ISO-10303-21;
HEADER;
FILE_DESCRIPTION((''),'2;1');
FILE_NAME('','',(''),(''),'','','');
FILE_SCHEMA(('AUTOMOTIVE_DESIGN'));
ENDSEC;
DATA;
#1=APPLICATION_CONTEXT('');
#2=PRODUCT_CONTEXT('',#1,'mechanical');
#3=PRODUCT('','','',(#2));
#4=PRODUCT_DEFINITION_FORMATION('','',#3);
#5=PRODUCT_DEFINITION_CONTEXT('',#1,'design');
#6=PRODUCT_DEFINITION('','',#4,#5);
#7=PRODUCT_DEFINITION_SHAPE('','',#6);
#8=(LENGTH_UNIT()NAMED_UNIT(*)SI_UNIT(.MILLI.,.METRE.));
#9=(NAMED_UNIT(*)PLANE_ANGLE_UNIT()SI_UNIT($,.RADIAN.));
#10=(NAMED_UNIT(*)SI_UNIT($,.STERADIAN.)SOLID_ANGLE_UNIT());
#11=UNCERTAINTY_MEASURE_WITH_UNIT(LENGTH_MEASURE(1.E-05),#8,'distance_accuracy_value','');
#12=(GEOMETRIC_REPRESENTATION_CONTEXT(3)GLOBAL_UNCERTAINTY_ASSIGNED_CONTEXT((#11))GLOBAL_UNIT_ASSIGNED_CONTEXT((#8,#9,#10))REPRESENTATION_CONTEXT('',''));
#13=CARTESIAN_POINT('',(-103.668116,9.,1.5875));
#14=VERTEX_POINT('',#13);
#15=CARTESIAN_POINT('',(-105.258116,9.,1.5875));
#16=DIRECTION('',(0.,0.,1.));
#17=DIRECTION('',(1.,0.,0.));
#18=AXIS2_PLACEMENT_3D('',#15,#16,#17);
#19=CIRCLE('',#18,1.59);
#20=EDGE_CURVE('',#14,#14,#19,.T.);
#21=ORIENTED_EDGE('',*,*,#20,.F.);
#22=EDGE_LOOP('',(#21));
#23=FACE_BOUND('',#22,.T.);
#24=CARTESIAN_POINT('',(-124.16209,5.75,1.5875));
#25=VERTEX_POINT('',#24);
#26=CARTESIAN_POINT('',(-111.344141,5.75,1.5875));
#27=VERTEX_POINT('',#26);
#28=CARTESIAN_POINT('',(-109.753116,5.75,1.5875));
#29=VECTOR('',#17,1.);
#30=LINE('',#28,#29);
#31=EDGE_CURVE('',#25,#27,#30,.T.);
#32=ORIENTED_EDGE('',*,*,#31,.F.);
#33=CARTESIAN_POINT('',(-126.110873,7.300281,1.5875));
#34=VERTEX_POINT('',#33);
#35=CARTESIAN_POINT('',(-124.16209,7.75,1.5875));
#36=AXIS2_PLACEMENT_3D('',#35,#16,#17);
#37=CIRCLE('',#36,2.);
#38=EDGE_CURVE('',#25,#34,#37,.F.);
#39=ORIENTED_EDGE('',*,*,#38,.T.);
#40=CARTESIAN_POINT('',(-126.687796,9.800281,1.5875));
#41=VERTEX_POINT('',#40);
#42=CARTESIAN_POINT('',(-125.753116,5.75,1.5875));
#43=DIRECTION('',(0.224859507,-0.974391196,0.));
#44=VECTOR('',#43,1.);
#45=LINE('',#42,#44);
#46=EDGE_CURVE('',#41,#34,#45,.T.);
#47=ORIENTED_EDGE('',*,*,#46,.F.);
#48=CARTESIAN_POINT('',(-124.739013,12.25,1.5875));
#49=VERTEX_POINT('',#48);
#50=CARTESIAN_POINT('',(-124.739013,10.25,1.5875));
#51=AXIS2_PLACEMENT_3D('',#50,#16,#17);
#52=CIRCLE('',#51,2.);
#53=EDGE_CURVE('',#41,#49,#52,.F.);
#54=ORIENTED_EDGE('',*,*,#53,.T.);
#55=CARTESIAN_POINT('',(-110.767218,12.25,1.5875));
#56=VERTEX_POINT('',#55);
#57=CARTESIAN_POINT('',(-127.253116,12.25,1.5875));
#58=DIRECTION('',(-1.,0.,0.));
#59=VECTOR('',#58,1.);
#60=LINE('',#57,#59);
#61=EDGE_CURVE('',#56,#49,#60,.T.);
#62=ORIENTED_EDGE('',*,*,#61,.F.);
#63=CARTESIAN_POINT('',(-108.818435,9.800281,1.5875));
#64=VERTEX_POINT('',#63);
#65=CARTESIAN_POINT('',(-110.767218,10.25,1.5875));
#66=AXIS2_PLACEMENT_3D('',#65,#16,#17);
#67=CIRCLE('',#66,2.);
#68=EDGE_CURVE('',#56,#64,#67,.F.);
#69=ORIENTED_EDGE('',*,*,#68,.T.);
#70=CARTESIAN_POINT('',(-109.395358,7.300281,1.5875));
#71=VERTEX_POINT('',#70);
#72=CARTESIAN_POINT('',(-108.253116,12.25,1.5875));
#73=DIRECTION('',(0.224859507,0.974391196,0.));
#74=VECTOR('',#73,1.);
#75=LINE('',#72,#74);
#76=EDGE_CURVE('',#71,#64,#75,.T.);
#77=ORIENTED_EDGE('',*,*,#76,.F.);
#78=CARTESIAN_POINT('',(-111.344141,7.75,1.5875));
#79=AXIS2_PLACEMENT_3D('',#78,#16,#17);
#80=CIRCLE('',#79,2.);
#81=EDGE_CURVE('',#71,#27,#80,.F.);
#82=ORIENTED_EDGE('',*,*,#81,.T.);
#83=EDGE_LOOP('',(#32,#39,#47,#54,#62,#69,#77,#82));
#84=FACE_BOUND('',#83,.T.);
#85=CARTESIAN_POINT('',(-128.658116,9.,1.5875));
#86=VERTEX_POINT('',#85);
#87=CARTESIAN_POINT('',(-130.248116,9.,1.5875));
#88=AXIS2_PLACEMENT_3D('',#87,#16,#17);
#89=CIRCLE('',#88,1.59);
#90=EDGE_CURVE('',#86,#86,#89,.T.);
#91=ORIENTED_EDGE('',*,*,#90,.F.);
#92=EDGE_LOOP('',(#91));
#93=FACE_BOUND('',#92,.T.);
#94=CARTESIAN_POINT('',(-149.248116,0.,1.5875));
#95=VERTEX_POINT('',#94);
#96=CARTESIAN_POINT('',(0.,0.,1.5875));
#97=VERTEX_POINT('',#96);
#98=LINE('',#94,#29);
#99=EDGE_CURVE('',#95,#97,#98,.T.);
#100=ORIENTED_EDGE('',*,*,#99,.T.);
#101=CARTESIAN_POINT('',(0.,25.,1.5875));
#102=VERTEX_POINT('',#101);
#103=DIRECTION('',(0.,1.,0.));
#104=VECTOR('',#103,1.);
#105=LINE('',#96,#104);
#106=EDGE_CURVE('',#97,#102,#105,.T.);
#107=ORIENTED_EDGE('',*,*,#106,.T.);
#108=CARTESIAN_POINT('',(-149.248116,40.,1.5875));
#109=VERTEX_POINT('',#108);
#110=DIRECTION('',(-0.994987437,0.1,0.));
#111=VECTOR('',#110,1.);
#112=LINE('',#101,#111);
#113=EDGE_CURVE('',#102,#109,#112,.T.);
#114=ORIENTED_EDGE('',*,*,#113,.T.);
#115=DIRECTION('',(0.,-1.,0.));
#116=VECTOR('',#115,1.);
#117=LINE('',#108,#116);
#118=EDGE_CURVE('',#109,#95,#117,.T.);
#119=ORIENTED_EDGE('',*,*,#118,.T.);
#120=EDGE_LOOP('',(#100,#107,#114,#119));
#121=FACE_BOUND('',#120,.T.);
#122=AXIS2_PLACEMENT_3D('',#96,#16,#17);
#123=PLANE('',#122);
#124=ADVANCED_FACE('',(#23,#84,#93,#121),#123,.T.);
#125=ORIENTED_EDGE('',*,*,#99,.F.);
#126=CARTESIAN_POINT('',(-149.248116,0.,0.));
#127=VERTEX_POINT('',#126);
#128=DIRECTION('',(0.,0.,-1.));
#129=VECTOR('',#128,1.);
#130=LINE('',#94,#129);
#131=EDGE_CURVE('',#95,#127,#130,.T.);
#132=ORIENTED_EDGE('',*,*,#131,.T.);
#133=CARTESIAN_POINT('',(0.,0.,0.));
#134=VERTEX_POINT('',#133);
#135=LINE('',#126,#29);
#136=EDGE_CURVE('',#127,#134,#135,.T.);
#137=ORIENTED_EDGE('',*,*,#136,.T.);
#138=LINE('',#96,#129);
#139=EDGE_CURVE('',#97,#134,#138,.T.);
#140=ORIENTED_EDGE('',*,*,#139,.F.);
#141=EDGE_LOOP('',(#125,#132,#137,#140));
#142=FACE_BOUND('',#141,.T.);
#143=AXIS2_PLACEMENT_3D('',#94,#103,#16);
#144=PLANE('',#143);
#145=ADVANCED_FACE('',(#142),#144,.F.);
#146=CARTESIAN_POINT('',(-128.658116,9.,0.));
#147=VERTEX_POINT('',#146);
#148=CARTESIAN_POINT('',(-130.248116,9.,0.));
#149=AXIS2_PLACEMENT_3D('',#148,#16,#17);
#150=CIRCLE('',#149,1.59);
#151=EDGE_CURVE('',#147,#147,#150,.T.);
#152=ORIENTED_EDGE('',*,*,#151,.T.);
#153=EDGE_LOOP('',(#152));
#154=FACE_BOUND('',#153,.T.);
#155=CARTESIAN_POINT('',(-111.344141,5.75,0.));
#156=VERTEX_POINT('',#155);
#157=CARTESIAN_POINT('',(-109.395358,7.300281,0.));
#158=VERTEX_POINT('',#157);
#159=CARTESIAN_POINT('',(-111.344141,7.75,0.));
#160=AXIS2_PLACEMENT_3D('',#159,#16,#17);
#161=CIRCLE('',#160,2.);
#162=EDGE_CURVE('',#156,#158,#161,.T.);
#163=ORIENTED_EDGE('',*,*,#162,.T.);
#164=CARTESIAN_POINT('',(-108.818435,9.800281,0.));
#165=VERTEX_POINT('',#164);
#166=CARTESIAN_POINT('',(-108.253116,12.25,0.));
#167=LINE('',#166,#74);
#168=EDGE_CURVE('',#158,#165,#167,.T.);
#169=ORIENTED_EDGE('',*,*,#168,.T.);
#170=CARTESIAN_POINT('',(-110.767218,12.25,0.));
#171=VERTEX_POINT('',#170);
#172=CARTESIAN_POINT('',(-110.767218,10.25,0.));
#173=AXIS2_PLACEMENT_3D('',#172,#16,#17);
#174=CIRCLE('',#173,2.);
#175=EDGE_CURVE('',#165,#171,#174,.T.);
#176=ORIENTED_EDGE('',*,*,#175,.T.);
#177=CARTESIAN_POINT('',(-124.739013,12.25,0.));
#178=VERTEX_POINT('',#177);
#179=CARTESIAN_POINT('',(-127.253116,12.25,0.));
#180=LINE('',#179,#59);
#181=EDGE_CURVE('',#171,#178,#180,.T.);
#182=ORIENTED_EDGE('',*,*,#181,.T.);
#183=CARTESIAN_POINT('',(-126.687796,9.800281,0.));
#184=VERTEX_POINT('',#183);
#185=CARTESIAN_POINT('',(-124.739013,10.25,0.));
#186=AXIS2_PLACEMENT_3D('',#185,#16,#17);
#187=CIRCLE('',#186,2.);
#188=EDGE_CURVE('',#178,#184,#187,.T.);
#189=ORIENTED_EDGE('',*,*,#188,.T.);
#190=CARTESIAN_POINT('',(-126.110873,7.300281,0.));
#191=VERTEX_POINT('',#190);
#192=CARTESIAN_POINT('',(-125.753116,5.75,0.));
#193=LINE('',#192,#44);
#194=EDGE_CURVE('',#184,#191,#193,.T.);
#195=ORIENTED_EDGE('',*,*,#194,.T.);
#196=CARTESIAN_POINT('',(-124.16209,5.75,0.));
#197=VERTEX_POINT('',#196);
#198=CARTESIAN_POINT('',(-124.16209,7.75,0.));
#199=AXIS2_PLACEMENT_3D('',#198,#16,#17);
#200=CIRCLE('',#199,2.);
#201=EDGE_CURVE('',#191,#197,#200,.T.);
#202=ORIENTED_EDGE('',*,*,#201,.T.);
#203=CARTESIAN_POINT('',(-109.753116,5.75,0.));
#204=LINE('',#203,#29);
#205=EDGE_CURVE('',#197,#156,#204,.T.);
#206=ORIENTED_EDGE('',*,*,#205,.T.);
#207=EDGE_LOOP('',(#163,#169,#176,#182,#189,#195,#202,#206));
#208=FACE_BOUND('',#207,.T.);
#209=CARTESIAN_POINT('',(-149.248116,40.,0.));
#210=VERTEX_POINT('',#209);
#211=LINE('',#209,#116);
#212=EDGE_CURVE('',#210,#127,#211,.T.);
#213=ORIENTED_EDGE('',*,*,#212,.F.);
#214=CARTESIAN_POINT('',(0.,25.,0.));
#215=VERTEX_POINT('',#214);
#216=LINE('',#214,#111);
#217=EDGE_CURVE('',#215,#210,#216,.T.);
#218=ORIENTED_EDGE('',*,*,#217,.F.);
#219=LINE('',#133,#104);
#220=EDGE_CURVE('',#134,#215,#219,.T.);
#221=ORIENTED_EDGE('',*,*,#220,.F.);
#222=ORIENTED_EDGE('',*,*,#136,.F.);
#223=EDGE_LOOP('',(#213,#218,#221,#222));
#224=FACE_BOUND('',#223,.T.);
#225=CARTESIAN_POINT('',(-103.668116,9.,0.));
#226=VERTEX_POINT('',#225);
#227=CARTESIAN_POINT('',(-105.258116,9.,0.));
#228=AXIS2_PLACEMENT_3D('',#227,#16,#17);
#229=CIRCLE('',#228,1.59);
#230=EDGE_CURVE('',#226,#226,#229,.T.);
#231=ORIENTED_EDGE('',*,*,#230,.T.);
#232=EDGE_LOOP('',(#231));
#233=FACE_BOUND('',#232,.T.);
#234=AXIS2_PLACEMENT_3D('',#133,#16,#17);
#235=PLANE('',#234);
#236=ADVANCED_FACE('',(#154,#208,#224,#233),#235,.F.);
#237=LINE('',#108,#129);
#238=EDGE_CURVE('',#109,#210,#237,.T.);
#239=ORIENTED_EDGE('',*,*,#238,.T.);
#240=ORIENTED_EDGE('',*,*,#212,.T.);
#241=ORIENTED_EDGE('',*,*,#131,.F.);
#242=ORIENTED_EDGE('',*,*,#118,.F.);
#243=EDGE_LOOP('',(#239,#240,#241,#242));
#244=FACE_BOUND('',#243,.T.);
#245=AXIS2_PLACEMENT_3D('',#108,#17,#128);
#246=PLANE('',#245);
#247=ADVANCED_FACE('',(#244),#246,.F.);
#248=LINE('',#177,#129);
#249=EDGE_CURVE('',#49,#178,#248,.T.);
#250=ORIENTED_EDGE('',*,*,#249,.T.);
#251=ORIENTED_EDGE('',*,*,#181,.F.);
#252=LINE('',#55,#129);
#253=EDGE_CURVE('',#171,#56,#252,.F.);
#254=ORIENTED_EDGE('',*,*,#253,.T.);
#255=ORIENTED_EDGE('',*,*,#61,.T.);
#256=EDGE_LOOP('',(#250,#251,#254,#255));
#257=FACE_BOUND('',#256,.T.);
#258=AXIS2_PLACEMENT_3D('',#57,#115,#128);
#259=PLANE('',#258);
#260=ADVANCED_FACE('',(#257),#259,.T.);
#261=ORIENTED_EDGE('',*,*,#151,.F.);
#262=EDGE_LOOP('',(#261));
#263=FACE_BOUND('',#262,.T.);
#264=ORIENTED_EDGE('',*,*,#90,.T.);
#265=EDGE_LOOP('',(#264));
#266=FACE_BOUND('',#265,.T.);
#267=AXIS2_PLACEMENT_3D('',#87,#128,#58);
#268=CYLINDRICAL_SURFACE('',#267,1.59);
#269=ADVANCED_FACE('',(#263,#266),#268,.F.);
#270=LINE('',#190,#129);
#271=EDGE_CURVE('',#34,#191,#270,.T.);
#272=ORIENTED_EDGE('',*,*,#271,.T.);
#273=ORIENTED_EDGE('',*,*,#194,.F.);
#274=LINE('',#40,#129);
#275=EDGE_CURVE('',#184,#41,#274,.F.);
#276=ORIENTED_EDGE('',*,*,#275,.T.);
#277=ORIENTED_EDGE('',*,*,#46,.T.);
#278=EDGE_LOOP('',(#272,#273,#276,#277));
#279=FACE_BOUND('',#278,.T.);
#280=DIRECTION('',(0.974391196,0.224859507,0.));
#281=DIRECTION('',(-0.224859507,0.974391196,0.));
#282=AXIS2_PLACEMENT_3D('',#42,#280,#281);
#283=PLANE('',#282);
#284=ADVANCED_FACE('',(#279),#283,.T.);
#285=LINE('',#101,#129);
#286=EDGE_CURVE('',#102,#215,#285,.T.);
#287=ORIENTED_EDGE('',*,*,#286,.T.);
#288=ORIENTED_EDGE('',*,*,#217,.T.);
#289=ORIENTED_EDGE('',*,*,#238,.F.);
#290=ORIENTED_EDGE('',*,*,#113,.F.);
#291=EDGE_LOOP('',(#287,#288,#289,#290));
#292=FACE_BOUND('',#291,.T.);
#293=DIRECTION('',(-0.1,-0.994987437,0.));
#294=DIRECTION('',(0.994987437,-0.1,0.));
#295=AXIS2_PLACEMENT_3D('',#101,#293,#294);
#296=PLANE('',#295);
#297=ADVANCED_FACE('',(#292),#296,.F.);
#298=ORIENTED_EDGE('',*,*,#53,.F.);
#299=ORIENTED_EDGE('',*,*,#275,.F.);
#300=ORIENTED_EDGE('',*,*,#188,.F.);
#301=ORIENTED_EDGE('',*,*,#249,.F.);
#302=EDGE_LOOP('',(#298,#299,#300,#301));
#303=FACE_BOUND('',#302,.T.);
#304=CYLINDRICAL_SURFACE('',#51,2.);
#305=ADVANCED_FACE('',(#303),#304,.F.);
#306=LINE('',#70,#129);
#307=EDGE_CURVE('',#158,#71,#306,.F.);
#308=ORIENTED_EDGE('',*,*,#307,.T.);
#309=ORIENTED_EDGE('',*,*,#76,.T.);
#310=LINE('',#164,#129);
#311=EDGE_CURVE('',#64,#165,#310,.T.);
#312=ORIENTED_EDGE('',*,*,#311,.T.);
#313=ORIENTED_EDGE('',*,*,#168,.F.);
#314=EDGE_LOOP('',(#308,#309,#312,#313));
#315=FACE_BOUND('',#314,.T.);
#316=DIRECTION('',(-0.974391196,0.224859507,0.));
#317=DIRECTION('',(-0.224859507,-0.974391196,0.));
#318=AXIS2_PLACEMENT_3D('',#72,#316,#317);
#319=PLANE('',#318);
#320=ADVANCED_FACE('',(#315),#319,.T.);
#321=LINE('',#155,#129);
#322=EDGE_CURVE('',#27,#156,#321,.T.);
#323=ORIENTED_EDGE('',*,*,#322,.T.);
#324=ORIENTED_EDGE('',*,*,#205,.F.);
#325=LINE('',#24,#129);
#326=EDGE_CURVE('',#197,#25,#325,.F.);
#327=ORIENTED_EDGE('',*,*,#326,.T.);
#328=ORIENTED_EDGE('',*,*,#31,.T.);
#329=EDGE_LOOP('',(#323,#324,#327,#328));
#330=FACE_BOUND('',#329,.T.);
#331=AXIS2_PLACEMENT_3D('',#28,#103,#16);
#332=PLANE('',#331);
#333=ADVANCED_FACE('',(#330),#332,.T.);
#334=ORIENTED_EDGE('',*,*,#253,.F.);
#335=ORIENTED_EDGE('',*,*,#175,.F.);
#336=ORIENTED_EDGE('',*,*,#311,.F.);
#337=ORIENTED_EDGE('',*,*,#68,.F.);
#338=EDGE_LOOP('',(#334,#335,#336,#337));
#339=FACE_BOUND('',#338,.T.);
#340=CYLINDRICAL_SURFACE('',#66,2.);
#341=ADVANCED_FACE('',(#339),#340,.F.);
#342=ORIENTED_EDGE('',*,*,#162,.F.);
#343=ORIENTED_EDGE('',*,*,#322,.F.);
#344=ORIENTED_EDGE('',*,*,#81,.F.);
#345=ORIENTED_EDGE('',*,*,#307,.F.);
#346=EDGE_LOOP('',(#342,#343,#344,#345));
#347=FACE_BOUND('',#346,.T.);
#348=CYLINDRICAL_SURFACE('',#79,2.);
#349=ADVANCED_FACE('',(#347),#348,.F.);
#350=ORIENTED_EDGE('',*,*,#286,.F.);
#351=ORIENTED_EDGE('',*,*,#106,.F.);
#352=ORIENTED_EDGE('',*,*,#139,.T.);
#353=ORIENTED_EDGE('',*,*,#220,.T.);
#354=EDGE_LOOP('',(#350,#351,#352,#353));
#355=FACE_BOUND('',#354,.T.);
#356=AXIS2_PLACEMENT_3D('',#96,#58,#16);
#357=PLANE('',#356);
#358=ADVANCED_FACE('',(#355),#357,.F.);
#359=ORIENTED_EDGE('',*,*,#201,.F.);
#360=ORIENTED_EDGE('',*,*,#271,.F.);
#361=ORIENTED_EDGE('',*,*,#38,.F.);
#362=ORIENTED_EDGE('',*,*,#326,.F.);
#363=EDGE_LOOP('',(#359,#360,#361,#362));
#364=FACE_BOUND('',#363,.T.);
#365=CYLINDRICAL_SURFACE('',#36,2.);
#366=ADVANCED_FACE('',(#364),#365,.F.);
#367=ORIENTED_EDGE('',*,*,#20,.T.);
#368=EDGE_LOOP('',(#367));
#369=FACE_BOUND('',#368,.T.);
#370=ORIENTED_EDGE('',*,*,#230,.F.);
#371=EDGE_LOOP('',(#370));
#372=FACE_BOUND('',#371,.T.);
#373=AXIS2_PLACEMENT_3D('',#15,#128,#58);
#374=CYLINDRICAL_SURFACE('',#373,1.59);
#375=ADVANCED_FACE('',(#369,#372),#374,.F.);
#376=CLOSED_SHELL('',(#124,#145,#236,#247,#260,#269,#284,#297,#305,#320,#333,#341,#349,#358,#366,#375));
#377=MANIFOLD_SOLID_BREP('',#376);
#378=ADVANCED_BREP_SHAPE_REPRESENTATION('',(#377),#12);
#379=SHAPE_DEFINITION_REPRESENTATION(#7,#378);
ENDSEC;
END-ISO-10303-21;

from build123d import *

# Parameters (mm, degrees)
ESQUISSE1_R        = 1.59
BOSS_EXTRU_1_DEPTH = 1.5875
CONG_1_R           = 2


with BuildPart() as part:
    # Esquisse1 → Boss.-Extru.1 (new body)
    with BuildSketch(Plane.XY):
        Polygon((-149.248115566, 40), (-149.248115566, 0), (0, 0), (0, 25), align=None)
        with Locations((-130.248115566, 9)):
            Circle(ESQUISSE1_R, mode=Mode.SUBTRACT)
        with Locations((-105.258115566, 9)):
            Circle(ESQUISSE1_R, mode=Mode.SUBTRACT)
        Polygon((-127.253115566, 12.25), (-108.253115566, 12.25), (-109.753115566, 5.75), (-125.753115566, 5.75), align=None, mode=Mode.SUBTRACT)
    extrude(amount=BOSS_EXTRU_1_DEPTH)

    # Congé1
    cong_1_edges = [part.edges().sort_by_distance(p)[0] for p in [
        (-127.253115566, 12.25, 0.79375),
        (-125.753115566, 5.75, 0.79375),
        (-109.753115566, 5.75, 0.79375),
        (-108.253115566, 12.25, 0.79375),
    ]]
    fillet(cong_1_edges, radius=CONG_1_R)


solid = part.part
